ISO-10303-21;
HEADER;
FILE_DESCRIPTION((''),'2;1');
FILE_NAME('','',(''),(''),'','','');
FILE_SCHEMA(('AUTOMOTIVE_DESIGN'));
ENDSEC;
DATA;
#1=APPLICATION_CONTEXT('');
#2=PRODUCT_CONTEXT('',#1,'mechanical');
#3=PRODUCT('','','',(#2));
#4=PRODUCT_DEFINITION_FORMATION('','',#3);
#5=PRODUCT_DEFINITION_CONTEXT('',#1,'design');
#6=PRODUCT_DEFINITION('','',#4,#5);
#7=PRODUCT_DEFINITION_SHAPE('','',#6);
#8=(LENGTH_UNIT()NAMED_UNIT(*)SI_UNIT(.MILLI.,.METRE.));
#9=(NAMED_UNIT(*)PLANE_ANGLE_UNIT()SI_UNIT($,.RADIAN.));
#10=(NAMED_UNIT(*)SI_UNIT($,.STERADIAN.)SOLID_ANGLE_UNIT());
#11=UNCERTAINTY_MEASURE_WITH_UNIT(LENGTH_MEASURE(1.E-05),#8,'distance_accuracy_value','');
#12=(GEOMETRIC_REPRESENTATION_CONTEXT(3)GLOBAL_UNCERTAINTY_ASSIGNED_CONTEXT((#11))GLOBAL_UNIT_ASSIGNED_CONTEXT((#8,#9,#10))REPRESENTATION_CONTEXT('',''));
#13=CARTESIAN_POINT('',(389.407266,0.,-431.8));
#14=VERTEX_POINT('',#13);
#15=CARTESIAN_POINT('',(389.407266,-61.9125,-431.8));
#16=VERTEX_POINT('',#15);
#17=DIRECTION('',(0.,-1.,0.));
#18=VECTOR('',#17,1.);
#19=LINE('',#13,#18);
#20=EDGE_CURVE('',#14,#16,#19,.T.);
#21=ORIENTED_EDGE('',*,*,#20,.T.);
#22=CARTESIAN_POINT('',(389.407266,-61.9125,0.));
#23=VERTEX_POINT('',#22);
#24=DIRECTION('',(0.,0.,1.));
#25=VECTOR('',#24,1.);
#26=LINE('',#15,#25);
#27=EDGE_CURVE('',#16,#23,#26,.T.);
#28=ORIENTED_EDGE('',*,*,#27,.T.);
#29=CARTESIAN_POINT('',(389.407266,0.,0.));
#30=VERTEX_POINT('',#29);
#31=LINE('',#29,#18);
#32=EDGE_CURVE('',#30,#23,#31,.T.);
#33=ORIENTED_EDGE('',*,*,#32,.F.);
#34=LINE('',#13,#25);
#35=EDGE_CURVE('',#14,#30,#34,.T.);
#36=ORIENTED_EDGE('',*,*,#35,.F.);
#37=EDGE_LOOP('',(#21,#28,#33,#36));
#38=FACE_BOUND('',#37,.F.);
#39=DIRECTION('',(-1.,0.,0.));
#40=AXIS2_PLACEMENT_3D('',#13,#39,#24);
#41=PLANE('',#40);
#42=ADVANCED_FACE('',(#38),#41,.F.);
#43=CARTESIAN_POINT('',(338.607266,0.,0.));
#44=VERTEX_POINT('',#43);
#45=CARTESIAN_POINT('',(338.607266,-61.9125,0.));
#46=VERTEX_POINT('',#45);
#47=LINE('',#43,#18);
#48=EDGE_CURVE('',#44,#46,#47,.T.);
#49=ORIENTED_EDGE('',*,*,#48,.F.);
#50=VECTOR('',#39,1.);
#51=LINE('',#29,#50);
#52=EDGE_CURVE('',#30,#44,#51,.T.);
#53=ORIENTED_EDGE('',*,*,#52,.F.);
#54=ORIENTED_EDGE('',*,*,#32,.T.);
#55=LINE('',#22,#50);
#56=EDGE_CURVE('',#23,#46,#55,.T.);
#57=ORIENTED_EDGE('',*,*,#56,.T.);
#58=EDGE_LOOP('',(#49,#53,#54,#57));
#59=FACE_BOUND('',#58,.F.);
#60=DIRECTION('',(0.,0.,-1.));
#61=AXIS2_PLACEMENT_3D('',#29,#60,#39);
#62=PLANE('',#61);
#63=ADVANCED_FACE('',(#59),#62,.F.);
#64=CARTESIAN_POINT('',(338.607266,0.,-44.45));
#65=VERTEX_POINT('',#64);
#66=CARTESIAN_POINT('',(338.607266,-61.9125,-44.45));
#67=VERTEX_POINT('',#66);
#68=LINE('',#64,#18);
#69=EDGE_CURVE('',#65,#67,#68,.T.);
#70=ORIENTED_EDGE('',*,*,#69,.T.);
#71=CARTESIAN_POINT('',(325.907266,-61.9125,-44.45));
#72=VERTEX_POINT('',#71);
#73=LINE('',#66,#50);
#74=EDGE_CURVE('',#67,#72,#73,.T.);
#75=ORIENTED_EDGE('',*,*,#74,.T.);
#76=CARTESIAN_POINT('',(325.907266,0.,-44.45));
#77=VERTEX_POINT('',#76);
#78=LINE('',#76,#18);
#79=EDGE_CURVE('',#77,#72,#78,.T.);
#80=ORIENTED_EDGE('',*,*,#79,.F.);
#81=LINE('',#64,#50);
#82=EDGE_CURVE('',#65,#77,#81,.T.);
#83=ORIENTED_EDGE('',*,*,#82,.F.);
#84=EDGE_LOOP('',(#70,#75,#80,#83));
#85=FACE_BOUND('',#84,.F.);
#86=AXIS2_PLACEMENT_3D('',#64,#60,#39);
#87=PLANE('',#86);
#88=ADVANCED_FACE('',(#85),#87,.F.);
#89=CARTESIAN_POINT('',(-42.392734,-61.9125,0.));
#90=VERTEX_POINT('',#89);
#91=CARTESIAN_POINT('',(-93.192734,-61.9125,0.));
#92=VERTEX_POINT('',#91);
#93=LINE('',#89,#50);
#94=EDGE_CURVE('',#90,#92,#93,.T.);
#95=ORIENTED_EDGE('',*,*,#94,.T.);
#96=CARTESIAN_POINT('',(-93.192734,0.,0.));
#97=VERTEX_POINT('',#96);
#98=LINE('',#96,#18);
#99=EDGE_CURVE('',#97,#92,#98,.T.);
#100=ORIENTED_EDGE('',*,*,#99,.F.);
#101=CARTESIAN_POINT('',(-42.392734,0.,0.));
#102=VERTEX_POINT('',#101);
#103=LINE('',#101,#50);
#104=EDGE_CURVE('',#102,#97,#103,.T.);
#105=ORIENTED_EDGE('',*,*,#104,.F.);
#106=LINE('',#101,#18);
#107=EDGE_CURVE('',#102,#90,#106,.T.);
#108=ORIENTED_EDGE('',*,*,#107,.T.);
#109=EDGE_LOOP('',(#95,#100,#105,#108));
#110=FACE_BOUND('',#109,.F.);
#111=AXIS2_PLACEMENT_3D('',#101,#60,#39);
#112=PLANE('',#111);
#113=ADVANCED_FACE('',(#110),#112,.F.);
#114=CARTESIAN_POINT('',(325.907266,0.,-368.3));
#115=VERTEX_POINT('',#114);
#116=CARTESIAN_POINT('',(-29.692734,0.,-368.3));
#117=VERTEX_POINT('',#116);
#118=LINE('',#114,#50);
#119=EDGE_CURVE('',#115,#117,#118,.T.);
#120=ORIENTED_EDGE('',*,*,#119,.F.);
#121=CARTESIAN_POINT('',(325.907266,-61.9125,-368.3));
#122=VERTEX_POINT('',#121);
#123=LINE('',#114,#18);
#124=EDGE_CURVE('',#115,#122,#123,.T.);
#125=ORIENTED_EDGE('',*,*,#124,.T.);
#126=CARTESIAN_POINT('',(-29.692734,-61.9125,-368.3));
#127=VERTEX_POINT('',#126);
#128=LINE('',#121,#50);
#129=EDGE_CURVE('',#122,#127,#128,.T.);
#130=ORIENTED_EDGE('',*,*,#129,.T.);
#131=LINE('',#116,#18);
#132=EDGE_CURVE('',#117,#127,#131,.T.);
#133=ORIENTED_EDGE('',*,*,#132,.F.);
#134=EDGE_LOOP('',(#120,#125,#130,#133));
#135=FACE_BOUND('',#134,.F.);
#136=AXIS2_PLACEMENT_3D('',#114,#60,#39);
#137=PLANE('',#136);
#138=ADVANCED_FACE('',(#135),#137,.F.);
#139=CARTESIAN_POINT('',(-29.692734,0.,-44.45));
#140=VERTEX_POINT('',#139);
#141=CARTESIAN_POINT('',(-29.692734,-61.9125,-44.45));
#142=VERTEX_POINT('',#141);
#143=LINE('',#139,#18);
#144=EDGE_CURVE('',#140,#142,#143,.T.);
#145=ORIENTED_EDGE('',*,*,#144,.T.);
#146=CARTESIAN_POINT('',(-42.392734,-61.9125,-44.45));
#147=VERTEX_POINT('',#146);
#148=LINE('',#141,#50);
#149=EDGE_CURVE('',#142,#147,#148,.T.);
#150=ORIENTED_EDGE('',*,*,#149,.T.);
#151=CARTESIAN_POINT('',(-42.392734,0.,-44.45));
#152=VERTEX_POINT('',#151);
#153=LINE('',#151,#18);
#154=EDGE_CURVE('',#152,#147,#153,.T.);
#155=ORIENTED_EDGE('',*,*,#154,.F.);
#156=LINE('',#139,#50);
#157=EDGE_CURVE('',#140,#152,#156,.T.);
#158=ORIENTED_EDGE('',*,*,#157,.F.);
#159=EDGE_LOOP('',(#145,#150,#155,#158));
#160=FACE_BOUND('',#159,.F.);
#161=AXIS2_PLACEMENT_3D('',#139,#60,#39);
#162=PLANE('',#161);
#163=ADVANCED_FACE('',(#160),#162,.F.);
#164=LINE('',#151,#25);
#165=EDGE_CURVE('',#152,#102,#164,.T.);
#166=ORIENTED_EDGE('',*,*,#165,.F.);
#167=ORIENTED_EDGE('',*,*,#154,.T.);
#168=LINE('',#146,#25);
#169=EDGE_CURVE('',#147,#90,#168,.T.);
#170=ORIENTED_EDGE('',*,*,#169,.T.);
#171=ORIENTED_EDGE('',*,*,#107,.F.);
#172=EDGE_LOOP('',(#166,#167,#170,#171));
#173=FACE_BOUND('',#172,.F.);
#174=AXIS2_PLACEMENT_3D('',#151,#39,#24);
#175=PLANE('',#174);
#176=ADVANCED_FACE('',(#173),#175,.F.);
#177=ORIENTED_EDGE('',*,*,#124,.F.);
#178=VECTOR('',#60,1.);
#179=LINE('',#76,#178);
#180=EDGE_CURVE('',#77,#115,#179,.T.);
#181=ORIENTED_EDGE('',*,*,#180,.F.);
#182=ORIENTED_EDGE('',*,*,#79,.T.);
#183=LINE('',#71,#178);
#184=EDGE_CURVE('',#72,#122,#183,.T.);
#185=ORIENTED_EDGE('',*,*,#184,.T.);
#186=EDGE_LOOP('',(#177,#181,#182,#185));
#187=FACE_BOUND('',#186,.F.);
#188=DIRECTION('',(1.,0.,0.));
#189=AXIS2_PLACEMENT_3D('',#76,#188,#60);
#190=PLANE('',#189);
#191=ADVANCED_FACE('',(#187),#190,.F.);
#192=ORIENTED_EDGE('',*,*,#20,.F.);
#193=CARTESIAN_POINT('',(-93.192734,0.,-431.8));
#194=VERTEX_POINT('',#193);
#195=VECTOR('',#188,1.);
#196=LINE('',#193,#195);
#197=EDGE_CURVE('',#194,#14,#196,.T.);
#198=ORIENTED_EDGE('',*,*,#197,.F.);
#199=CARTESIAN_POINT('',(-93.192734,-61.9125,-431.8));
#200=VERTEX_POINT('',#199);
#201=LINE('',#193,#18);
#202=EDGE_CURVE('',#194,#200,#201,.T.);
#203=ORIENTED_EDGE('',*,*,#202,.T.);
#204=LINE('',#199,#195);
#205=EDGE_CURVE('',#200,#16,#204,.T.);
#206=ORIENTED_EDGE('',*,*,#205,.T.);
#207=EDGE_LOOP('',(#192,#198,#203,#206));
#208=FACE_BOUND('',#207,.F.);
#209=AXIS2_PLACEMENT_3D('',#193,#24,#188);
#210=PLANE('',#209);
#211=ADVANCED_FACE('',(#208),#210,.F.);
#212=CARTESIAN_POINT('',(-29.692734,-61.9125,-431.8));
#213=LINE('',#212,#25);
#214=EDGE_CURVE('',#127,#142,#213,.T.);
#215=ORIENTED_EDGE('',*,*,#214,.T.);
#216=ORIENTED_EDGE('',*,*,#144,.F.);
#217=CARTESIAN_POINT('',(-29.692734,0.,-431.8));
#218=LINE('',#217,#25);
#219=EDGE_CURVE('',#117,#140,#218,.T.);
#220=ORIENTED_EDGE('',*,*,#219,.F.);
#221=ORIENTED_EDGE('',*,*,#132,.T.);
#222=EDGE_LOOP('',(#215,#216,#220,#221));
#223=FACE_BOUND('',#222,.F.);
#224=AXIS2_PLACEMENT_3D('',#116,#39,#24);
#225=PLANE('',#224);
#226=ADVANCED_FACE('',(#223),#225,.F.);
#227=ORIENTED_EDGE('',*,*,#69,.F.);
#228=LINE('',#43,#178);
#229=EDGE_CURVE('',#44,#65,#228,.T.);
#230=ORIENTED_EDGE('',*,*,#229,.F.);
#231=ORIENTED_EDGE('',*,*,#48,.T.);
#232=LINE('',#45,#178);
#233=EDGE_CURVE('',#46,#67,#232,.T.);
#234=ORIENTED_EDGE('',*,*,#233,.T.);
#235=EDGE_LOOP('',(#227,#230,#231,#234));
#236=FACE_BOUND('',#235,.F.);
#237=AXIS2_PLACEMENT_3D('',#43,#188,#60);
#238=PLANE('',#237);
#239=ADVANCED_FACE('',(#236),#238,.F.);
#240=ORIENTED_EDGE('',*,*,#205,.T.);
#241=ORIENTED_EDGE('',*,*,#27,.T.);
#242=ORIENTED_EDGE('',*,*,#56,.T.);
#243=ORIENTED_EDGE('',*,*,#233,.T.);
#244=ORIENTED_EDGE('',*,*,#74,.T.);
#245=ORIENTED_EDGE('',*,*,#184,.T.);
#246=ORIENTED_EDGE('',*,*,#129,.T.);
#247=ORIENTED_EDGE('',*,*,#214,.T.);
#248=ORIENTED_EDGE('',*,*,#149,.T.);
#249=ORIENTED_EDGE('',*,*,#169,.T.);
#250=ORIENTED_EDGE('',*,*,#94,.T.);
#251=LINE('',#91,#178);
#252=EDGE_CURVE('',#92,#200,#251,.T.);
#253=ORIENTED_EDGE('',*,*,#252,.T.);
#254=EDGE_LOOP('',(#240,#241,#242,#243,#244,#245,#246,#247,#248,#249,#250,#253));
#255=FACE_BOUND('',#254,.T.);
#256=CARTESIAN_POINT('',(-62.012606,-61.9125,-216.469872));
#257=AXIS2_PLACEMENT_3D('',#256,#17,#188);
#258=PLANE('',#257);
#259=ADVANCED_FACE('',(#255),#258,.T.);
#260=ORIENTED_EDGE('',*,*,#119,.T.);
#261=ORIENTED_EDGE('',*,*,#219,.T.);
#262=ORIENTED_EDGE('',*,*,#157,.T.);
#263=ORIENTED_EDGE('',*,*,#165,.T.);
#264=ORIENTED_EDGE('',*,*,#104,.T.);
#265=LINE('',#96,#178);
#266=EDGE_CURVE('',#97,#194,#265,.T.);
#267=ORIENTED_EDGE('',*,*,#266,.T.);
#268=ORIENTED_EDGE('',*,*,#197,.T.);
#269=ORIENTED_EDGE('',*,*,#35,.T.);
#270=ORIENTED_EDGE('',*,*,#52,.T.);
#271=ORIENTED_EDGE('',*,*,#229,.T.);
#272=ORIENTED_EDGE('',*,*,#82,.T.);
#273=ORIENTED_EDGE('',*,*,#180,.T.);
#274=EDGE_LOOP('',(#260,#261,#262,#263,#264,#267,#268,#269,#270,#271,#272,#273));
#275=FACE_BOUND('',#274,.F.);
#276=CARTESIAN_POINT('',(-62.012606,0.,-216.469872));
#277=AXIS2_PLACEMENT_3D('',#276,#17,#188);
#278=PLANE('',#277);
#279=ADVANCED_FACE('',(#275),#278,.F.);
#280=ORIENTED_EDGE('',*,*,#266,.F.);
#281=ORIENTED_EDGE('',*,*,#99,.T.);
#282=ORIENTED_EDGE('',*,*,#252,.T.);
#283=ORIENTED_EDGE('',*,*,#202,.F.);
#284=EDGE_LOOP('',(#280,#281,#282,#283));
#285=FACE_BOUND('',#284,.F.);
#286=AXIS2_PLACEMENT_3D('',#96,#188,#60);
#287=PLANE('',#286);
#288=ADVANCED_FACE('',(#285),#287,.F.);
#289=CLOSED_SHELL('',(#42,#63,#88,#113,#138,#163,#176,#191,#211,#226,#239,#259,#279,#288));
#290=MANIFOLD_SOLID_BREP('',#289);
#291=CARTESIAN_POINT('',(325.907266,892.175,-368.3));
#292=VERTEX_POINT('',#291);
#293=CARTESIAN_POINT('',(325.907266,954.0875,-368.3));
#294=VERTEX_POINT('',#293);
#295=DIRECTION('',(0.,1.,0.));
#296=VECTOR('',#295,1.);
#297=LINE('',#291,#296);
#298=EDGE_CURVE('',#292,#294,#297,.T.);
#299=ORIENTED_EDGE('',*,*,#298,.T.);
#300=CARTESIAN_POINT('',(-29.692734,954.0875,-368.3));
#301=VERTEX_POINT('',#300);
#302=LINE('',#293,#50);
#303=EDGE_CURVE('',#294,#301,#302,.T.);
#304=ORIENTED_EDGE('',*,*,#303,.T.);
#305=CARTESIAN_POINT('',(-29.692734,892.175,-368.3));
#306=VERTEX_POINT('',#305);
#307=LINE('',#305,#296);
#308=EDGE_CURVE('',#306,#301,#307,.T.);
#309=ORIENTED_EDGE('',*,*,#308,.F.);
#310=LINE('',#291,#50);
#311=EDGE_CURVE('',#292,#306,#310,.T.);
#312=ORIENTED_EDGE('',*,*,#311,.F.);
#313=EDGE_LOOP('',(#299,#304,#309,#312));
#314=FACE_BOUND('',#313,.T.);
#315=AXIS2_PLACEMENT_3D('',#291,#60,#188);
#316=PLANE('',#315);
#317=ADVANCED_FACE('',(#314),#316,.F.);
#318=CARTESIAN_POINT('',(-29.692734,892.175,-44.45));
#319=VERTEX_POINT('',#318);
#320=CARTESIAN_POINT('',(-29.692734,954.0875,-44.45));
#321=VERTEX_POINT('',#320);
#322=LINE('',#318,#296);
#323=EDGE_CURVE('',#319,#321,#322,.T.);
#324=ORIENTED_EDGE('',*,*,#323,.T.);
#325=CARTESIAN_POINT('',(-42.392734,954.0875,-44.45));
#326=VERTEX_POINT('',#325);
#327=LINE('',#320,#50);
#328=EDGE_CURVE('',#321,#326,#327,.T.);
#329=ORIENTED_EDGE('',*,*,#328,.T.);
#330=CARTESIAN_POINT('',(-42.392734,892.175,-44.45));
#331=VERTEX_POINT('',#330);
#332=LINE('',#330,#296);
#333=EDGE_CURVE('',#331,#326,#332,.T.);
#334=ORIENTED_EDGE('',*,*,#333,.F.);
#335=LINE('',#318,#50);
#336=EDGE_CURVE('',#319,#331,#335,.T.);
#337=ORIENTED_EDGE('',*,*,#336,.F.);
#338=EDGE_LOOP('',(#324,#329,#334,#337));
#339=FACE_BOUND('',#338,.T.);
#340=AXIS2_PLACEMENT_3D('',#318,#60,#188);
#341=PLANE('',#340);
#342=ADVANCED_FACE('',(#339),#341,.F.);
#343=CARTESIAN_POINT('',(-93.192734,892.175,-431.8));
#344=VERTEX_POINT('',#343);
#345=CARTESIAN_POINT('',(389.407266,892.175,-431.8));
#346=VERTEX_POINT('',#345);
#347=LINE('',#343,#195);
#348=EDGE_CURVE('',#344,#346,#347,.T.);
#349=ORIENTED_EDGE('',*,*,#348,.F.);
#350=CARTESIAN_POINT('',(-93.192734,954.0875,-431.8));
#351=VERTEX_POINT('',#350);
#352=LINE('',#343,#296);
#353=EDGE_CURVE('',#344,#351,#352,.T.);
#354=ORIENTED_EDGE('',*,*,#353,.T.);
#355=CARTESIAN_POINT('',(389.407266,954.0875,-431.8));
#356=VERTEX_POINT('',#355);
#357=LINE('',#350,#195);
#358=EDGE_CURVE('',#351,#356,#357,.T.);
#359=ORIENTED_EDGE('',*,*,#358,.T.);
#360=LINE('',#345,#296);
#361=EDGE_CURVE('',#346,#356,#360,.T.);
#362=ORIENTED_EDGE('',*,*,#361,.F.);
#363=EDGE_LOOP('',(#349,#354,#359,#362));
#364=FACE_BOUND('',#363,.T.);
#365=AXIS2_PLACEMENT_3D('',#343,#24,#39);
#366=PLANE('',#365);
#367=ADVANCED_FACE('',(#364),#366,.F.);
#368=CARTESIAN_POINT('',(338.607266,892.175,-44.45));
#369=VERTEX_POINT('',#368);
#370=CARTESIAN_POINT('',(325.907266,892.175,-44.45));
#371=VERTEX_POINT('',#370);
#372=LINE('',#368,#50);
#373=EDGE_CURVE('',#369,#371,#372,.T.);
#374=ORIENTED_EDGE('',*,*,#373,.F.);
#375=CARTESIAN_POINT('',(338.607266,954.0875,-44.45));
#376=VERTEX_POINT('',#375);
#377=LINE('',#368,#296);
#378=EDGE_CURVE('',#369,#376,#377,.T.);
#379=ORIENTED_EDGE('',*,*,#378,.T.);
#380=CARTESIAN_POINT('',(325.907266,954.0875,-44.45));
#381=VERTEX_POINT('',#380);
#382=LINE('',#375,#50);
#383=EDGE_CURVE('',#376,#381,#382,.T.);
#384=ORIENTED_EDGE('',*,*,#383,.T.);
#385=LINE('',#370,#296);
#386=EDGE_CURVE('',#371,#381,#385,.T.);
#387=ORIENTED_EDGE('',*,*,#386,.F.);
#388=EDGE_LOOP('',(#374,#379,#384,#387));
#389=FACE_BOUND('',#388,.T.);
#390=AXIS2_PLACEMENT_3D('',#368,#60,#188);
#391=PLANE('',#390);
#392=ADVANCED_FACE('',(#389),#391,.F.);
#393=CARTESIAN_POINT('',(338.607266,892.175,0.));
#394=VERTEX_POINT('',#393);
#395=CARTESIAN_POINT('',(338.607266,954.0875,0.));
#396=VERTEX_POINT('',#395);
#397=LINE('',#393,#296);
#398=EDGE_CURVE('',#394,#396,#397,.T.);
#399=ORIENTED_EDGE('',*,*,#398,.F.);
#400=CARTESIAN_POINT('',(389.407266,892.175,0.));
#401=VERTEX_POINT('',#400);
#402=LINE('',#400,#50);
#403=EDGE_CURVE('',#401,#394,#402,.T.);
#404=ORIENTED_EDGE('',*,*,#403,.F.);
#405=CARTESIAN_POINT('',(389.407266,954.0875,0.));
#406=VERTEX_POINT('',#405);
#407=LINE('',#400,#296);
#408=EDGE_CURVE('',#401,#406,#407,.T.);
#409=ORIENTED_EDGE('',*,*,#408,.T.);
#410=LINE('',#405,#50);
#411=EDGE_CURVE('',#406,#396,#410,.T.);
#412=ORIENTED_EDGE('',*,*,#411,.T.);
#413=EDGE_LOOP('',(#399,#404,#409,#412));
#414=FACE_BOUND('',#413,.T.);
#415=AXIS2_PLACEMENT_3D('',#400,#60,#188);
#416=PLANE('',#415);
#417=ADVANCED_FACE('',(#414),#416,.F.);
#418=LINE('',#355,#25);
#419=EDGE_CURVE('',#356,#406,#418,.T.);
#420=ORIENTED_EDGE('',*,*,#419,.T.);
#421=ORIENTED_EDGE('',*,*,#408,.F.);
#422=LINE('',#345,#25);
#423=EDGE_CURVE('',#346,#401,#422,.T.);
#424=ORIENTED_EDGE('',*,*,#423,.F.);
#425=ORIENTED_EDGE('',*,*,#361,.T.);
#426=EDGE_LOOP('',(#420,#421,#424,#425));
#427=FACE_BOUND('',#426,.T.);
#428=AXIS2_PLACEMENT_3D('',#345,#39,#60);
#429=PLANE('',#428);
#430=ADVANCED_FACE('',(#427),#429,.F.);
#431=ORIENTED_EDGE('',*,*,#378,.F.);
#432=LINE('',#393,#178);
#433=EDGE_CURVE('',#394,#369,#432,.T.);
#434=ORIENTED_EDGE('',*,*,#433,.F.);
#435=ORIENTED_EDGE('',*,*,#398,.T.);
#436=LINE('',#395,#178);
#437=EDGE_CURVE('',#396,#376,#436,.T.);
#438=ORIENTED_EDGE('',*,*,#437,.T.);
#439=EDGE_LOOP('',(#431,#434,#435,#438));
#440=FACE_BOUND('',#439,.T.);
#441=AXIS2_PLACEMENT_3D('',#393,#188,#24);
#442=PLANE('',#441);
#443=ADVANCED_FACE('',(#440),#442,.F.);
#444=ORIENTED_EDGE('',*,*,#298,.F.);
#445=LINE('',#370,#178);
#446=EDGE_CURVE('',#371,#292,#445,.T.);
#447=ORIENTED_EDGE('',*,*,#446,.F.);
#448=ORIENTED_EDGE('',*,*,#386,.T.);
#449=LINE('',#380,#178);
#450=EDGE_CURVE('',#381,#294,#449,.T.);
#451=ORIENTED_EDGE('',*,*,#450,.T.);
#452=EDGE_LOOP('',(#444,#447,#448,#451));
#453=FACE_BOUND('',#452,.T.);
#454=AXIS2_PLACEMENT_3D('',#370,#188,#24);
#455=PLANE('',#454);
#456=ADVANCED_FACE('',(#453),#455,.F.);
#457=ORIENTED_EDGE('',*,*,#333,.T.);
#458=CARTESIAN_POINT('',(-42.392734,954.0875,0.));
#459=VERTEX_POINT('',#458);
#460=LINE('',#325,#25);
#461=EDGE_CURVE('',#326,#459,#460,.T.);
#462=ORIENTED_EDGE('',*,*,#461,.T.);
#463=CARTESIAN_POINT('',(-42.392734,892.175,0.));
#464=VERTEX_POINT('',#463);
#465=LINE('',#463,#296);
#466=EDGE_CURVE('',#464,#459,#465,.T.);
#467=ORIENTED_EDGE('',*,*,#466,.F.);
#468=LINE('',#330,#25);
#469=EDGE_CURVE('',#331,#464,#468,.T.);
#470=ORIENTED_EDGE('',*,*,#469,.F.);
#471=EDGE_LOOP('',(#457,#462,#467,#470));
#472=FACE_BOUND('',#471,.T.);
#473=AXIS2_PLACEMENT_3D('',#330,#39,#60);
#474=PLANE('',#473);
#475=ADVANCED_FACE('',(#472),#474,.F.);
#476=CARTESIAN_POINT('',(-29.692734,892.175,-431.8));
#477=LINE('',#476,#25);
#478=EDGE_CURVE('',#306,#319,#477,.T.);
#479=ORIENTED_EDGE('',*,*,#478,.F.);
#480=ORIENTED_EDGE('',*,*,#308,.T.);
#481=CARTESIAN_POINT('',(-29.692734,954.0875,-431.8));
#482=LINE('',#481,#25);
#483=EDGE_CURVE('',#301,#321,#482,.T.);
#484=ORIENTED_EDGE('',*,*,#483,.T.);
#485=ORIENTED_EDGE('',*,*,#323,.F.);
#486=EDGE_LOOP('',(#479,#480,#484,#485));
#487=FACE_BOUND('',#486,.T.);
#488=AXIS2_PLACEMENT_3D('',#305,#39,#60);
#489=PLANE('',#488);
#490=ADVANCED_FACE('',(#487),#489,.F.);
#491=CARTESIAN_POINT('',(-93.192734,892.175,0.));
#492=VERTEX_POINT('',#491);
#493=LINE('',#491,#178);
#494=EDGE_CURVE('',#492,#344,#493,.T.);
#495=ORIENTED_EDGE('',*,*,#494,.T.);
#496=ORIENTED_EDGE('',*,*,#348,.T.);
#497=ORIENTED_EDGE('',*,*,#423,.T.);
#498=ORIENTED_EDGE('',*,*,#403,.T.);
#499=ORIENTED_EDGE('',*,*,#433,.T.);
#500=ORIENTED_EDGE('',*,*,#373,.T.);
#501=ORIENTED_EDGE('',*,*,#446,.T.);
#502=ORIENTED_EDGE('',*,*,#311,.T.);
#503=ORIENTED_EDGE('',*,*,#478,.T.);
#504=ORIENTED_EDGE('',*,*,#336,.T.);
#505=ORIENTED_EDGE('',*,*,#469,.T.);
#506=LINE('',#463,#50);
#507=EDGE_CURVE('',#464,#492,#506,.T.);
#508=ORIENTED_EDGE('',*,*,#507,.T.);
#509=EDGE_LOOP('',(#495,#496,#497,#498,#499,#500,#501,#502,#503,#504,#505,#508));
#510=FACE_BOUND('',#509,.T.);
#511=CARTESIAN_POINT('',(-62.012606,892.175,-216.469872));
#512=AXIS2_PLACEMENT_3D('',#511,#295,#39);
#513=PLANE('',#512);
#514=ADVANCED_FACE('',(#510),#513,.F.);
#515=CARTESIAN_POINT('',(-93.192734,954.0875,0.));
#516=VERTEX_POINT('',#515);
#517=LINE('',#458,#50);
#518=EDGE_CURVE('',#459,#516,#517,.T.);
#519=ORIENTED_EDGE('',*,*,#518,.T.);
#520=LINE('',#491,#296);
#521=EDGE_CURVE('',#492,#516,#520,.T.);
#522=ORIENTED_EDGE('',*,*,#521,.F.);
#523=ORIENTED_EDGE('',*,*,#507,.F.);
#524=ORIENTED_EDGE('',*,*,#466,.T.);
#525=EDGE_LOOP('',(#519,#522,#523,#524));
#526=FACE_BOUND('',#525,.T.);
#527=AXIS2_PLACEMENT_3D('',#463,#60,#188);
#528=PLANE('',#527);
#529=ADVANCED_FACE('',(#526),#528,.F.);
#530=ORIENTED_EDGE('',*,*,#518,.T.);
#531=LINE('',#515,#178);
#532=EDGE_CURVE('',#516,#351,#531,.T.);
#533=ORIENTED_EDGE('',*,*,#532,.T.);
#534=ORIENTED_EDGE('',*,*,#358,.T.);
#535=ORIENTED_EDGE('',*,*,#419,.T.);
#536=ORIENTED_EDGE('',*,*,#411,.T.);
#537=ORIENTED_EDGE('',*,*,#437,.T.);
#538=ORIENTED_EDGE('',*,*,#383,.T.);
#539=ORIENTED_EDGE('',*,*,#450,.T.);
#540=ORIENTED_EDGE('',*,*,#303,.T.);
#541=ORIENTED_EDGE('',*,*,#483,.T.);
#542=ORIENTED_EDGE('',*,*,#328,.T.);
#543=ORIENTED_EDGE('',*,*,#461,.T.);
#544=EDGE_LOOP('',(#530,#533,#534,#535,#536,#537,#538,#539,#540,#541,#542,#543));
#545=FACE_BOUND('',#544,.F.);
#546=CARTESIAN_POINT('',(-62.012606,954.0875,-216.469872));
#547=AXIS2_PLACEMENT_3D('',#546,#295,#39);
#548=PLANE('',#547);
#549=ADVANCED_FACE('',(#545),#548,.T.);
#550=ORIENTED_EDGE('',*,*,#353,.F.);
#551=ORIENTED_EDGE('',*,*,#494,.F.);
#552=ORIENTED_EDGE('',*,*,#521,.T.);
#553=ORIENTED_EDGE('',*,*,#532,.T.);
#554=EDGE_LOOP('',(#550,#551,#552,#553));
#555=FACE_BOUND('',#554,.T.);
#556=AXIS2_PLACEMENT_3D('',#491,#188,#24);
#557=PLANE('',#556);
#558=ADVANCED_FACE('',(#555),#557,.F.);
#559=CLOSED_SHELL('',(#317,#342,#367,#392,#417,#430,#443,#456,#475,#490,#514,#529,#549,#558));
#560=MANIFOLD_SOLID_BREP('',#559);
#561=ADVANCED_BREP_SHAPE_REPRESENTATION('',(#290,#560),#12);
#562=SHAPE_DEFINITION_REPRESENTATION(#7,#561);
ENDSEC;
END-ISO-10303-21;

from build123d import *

# Parameters (mm, degrees)
F0_W     = 177.8
F0_H     = 63.5
F1_DEPTH = 61.9125


with BuildPart() as f1:
    # F0 (on Front) → F1 (new body)
    with BuildSketch(Plane.XZ):
        Polygon((-42.3927338243, 0), (-93.1927338243, 0), (-93.1927338243, -431.8), (-29.6927338243, -431.8), (-29.6927338243, -368.3), (-29.6927338243, -44.45), (-42.3927338243, -44.45), align=None)
        with Locations((59.2072661757, -400.05)):
            Rectangle(F0_W, F0_H)
        with Locations((237.0072661757, -400.05)):
            Rectangle(F0_W, F0_H)
        Polygon((325.9072661757, -368.3), (325.9072661757, -431.8), (389.4072661757, -431.8), (389.4072661757, 0), (338.6072661757, 0), (338.6072661757, -44.45), (325.9072661757, -44.45), align=None)
    extrude(amount=F1_DEPTH)


with BuildPart() as f5_1:
    # F5: instance of F1
    add(f1.part.mirror(Plane(origin=(0, 446.0875, 0), x_dir=(-1, 0, 0), z_dir=(0, 1, 0))))


solid = Compound([f1.part, f5_1.part])
